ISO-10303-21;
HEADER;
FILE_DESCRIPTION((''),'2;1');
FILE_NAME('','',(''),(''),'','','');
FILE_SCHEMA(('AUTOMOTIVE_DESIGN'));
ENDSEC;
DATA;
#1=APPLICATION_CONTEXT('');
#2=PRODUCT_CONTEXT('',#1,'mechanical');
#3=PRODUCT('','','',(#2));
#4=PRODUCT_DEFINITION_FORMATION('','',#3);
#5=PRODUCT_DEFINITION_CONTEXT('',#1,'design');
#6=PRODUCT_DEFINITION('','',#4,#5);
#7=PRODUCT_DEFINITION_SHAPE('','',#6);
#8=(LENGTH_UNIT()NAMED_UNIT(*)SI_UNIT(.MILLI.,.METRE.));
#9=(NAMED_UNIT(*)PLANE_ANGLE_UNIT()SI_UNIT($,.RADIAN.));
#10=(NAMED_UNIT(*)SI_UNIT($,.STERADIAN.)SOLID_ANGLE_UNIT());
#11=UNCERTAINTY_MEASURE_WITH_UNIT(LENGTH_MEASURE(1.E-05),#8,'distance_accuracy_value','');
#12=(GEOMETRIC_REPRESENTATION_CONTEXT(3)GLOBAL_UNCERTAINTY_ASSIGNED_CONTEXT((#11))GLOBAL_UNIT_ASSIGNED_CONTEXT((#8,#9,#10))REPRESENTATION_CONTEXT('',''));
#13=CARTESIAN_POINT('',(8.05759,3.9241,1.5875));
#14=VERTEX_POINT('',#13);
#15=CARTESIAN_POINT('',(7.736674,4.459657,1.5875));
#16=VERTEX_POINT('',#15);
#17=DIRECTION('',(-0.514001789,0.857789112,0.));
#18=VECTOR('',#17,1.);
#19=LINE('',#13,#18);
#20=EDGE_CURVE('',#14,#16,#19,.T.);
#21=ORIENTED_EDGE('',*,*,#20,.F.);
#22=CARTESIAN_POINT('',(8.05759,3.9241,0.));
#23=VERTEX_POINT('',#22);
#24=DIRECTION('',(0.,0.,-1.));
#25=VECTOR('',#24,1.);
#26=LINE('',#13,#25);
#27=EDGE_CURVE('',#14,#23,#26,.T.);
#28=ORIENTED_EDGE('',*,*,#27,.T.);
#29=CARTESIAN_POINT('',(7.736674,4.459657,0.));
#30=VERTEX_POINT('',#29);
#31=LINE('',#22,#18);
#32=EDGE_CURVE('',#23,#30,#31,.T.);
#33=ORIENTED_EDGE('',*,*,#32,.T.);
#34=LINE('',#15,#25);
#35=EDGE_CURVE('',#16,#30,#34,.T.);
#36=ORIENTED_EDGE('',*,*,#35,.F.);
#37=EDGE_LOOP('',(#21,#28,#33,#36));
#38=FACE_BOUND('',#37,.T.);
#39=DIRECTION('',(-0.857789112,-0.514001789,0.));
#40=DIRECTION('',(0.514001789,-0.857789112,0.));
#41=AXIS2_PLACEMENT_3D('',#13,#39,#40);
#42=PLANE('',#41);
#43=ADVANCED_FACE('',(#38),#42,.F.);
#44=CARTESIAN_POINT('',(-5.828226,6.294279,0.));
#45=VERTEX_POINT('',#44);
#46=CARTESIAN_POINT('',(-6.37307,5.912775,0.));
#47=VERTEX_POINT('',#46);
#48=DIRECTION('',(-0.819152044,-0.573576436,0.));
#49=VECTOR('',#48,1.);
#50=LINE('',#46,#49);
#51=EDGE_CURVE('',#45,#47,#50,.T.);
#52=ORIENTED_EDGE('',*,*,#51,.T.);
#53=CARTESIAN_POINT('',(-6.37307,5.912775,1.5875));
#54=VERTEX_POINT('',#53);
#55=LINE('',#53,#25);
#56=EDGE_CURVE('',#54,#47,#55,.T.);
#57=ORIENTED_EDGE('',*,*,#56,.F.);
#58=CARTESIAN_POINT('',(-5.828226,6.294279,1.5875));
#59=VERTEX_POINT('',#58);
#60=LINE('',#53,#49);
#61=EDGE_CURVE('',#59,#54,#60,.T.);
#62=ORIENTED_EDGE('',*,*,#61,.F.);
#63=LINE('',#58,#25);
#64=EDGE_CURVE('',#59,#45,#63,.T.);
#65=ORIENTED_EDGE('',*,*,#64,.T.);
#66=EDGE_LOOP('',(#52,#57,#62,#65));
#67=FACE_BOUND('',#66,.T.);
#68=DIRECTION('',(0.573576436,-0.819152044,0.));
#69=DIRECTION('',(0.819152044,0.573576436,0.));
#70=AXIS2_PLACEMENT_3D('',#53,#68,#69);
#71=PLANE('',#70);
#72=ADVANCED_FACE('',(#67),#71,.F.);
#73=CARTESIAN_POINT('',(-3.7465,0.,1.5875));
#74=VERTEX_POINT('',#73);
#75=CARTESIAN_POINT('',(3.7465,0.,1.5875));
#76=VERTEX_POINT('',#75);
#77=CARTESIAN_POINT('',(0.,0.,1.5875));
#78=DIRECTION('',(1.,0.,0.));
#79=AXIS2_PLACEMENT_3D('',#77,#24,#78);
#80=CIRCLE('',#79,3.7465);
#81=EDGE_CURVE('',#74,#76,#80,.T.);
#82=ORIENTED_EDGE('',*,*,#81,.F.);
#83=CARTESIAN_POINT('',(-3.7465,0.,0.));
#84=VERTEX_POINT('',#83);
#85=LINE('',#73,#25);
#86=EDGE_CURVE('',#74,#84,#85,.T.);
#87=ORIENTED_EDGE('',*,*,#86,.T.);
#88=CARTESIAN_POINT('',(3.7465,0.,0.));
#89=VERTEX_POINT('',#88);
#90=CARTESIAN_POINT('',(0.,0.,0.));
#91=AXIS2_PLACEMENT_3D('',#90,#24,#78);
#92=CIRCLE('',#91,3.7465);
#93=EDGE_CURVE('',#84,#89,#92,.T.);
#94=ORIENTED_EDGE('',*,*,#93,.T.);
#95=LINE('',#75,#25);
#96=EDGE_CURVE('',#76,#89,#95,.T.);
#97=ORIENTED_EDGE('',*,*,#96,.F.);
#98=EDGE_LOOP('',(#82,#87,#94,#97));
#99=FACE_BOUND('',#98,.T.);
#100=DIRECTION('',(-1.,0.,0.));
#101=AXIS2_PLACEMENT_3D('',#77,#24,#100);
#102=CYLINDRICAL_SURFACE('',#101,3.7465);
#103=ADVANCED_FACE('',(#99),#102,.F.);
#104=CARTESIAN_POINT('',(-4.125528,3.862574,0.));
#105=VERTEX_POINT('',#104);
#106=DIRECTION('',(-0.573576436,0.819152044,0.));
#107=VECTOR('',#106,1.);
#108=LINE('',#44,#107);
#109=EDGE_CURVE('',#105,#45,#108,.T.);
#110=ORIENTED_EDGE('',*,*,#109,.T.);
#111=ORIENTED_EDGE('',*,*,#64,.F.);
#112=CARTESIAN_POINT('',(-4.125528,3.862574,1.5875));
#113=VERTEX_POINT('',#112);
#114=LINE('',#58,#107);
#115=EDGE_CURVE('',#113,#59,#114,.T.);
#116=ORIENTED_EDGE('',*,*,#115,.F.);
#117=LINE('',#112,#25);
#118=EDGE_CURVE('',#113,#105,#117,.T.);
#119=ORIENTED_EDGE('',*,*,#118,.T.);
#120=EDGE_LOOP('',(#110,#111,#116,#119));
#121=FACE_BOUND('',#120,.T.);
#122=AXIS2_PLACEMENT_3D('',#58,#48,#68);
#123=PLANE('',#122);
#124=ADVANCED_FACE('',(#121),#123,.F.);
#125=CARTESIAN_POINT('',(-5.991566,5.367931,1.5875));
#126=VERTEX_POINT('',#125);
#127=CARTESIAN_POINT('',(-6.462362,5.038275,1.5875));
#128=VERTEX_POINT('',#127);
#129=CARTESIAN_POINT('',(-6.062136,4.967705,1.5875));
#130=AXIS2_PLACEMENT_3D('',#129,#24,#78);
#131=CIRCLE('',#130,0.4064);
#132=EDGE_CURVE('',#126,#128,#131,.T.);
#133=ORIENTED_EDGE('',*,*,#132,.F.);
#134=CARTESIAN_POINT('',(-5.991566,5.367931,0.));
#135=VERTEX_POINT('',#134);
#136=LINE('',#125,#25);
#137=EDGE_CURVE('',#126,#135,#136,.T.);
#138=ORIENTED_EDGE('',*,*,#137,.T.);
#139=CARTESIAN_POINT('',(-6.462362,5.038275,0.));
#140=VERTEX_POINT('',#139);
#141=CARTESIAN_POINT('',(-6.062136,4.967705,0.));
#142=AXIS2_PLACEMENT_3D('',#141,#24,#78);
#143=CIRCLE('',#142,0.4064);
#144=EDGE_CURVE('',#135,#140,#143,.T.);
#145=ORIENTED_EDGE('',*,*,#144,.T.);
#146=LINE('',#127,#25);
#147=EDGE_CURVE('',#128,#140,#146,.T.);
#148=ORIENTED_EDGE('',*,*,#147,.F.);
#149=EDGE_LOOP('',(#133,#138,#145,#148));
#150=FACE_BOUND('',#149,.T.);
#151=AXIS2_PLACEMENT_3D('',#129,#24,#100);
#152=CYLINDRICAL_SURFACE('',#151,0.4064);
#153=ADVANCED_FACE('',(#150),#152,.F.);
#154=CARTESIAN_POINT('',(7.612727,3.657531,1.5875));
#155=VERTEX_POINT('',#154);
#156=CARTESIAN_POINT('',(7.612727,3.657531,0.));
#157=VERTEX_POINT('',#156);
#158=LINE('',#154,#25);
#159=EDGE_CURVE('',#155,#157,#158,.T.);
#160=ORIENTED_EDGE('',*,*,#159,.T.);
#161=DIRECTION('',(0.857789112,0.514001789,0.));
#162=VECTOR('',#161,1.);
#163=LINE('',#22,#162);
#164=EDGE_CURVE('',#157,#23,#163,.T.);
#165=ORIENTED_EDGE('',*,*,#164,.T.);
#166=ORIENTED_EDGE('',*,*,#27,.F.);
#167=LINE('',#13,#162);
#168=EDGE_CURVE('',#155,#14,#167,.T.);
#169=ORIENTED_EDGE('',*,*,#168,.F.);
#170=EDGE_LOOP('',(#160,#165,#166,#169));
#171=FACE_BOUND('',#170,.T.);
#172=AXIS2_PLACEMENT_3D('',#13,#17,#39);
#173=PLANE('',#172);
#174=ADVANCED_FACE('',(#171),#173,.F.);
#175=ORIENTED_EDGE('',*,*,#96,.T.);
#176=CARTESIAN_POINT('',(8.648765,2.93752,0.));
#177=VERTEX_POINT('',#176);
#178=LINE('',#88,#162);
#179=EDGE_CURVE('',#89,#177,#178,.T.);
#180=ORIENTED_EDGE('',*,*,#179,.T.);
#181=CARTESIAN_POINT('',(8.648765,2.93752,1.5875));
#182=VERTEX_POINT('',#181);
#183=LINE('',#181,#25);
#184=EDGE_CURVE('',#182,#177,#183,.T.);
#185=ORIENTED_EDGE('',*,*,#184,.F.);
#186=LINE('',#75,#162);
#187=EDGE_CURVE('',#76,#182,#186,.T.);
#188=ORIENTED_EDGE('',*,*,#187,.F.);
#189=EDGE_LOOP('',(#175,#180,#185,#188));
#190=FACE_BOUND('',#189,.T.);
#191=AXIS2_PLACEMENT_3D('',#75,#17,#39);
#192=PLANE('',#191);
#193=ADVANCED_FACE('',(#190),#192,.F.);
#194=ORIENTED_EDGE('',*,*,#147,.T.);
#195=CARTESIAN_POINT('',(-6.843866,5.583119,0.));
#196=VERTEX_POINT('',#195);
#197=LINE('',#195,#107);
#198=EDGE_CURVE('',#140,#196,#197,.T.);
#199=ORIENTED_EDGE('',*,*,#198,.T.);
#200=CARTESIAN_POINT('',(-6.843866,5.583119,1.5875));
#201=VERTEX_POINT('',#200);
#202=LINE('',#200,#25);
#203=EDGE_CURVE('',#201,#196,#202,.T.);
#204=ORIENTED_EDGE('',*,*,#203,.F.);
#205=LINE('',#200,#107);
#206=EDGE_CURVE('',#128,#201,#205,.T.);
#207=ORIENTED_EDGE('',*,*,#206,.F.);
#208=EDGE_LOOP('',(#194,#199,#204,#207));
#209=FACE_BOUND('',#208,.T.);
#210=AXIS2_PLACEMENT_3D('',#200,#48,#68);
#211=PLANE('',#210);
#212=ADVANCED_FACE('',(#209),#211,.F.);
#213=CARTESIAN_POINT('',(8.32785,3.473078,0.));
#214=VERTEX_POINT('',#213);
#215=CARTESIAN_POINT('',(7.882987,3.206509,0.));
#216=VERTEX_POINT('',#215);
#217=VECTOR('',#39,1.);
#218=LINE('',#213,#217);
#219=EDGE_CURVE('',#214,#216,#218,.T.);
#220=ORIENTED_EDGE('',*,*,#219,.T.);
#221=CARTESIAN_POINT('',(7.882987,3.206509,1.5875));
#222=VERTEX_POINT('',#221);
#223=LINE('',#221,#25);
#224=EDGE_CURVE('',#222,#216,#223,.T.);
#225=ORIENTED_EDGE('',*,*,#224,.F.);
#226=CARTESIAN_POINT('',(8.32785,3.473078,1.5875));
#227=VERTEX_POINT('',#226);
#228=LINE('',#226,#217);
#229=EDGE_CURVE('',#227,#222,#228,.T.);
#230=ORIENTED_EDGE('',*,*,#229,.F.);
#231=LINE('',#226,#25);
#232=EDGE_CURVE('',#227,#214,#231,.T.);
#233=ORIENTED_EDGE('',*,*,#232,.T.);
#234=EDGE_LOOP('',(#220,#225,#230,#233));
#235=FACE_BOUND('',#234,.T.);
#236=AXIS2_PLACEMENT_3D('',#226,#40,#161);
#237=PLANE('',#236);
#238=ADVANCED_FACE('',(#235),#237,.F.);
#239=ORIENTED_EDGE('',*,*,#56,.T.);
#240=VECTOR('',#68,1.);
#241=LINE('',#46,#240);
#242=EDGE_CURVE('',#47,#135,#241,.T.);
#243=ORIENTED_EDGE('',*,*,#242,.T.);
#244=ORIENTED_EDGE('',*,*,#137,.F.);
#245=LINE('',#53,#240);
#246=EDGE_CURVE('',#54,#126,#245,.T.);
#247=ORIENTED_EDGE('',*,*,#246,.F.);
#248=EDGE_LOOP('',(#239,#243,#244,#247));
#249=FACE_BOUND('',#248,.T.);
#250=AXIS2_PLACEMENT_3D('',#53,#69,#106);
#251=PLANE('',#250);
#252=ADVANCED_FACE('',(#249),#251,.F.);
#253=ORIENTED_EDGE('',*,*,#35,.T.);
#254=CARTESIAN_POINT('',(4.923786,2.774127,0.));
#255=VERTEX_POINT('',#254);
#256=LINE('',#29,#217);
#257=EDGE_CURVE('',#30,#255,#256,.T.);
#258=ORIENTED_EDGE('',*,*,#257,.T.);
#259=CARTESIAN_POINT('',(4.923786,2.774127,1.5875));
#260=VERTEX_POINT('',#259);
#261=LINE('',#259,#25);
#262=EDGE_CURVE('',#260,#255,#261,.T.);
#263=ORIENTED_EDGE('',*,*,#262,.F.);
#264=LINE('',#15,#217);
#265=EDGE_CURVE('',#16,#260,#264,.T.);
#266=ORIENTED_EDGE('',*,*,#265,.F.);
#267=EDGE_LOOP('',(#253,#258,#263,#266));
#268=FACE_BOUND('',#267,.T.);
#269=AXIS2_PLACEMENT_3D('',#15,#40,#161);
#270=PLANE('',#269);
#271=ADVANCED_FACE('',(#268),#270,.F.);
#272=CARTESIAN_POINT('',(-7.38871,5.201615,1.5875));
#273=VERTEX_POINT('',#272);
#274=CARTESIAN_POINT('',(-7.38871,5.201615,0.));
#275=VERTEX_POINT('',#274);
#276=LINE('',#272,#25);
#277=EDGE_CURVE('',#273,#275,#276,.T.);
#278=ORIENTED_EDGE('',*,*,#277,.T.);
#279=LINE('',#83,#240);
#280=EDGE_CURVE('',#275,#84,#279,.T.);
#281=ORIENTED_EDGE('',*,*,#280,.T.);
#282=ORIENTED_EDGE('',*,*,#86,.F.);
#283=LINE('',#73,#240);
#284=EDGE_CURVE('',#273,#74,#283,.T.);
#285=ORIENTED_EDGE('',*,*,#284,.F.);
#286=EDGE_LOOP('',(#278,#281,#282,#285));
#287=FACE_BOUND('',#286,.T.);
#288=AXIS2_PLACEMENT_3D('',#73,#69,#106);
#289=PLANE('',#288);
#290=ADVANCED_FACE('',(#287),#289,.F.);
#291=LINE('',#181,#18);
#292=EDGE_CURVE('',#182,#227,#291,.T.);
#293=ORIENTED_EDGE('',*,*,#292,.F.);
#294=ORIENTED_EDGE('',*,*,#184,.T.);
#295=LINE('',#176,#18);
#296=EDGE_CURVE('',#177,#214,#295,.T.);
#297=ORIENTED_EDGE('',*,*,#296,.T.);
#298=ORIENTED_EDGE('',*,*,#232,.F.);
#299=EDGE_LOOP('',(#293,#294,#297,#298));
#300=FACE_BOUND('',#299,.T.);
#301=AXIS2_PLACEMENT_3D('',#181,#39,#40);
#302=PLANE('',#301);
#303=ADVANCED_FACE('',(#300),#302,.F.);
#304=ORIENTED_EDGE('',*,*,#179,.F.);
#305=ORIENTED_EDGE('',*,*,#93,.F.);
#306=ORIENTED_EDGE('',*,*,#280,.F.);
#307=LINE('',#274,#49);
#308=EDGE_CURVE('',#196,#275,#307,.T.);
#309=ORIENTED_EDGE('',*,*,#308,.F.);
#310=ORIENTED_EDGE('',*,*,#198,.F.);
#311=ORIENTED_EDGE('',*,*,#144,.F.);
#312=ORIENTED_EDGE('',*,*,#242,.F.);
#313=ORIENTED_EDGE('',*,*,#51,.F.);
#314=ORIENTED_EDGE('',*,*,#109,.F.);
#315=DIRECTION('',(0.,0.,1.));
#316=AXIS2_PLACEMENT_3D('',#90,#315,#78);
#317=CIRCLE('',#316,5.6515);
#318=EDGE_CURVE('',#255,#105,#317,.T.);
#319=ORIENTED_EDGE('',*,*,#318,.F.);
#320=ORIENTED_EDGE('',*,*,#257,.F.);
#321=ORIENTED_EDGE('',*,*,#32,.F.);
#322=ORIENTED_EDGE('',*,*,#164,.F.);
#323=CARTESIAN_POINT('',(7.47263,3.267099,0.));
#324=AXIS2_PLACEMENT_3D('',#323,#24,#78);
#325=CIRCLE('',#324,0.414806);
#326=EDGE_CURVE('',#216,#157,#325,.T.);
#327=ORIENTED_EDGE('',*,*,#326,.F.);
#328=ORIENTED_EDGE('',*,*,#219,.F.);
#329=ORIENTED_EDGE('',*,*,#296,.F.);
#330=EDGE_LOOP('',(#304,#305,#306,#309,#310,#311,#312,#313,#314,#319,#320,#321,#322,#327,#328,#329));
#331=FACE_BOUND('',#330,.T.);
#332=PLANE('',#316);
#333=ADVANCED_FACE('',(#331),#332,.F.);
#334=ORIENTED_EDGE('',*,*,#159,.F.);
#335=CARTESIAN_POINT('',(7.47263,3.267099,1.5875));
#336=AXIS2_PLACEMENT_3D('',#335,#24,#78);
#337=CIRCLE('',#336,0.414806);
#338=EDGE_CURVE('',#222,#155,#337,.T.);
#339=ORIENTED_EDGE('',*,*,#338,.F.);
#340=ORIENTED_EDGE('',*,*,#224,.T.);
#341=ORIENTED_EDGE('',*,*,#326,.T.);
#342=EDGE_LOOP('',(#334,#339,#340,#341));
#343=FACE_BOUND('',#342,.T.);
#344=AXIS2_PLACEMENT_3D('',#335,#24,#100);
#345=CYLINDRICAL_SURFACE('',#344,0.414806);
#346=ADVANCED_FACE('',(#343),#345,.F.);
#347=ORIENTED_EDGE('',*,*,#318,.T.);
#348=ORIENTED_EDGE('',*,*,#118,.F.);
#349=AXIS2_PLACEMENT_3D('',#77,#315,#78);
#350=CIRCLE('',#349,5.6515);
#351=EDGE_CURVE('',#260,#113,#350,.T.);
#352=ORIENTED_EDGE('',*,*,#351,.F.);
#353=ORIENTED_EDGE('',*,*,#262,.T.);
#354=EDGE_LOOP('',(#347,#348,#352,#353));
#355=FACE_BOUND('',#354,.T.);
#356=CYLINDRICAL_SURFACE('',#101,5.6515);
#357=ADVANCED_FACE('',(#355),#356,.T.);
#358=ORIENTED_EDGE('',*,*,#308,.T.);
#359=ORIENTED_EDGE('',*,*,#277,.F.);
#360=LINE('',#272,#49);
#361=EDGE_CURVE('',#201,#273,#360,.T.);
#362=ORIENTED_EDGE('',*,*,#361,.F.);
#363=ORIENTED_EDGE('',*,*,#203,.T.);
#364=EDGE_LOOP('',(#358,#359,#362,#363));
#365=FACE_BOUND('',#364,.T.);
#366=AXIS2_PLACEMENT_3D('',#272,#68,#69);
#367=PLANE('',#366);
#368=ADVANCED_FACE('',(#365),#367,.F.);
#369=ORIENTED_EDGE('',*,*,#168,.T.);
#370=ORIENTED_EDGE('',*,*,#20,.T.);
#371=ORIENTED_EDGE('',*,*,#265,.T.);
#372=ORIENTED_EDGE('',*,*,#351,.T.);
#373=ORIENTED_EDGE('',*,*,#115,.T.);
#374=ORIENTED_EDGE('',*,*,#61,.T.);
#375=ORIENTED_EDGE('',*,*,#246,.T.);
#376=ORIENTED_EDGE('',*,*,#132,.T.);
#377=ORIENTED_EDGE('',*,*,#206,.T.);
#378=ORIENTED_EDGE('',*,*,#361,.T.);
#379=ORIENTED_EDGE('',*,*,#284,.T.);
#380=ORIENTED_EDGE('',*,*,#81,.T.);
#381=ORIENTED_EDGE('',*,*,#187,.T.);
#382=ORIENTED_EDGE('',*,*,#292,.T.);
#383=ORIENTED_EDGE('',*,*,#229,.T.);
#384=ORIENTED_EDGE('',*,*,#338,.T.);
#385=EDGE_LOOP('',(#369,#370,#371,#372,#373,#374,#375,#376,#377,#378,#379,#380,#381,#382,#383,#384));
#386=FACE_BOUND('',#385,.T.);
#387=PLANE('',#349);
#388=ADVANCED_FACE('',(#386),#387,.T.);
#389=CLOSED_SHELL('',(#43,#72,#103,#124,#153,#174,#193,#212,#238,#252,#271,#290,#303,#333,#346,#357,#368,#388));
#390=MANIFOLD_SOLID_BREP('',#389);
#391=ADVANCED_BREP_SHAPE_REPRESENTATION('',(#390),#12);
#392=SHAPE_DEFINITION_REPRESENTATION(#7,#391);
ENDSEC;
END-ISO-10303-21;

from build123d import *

# Parameters (mm, degrees)
BOSS_EXTRUDE1_DEPTH = 1.5875


with BuildPart() as part:
    # Sketch2 → Boss-Extrude1 (new body)
    with BuildSketch(Plane.XY):
        with BuildLine():
            Line((-3.7465, 0), (-7.388710371, 5.201615481))
            Line((-7.388710371, 5.201615481), (-6.843866294, 5.583119411))
            Line((-6.843866294, 5.583119411), (-6.462362364, 5.038275334))
            ThreePointArc((-6.462362364, 5.038275334), (-5.829035029, 4.634801324), (-5.991565874, 5.367930585))
            Line((-5.991565874, 5.367930585), (-6.373069804, 5.912774663))
            Line((-6.373069804, 5.912774663), (-5.828225726, 6.294278592))
            Line((-5.828225726, 6.294278592), (-4.125527549, 3.862573584))
            ThreePointArc((-4.125527549, 3.862573584), (0.674894997, 5.611057743), (4.923786313, 2.774126996))
            Line((4.923786313, 2.774126996), (7.736674427, 4.459657279))
            Line((7.736674427, 4.459657279), (8.057589571, 3.924099773))
            Line((8.057589571, 3.924099773), (7.612727117, 3.657530643))
            ThreePointArc((7.612727117, 3.657530643), (7.116813389, 3.053887496), (7.882987176, 3.206508602))
            Line((7.882987176, 3.206508602), (8.32784963, 3.473077733))
            Line((8.32784963, 3.473077733), (8.648764774, 2.937520227))
            Line((8.648764774, 2.937520227), (3.7465, 0))
            ThreePointArc((3.7465, 0), (0, 3.7465), (-3.7465, 0))
        make_face()
    extrude(amount=BOSS_EXTRUDE1_DEPTH)


solid = part.part
